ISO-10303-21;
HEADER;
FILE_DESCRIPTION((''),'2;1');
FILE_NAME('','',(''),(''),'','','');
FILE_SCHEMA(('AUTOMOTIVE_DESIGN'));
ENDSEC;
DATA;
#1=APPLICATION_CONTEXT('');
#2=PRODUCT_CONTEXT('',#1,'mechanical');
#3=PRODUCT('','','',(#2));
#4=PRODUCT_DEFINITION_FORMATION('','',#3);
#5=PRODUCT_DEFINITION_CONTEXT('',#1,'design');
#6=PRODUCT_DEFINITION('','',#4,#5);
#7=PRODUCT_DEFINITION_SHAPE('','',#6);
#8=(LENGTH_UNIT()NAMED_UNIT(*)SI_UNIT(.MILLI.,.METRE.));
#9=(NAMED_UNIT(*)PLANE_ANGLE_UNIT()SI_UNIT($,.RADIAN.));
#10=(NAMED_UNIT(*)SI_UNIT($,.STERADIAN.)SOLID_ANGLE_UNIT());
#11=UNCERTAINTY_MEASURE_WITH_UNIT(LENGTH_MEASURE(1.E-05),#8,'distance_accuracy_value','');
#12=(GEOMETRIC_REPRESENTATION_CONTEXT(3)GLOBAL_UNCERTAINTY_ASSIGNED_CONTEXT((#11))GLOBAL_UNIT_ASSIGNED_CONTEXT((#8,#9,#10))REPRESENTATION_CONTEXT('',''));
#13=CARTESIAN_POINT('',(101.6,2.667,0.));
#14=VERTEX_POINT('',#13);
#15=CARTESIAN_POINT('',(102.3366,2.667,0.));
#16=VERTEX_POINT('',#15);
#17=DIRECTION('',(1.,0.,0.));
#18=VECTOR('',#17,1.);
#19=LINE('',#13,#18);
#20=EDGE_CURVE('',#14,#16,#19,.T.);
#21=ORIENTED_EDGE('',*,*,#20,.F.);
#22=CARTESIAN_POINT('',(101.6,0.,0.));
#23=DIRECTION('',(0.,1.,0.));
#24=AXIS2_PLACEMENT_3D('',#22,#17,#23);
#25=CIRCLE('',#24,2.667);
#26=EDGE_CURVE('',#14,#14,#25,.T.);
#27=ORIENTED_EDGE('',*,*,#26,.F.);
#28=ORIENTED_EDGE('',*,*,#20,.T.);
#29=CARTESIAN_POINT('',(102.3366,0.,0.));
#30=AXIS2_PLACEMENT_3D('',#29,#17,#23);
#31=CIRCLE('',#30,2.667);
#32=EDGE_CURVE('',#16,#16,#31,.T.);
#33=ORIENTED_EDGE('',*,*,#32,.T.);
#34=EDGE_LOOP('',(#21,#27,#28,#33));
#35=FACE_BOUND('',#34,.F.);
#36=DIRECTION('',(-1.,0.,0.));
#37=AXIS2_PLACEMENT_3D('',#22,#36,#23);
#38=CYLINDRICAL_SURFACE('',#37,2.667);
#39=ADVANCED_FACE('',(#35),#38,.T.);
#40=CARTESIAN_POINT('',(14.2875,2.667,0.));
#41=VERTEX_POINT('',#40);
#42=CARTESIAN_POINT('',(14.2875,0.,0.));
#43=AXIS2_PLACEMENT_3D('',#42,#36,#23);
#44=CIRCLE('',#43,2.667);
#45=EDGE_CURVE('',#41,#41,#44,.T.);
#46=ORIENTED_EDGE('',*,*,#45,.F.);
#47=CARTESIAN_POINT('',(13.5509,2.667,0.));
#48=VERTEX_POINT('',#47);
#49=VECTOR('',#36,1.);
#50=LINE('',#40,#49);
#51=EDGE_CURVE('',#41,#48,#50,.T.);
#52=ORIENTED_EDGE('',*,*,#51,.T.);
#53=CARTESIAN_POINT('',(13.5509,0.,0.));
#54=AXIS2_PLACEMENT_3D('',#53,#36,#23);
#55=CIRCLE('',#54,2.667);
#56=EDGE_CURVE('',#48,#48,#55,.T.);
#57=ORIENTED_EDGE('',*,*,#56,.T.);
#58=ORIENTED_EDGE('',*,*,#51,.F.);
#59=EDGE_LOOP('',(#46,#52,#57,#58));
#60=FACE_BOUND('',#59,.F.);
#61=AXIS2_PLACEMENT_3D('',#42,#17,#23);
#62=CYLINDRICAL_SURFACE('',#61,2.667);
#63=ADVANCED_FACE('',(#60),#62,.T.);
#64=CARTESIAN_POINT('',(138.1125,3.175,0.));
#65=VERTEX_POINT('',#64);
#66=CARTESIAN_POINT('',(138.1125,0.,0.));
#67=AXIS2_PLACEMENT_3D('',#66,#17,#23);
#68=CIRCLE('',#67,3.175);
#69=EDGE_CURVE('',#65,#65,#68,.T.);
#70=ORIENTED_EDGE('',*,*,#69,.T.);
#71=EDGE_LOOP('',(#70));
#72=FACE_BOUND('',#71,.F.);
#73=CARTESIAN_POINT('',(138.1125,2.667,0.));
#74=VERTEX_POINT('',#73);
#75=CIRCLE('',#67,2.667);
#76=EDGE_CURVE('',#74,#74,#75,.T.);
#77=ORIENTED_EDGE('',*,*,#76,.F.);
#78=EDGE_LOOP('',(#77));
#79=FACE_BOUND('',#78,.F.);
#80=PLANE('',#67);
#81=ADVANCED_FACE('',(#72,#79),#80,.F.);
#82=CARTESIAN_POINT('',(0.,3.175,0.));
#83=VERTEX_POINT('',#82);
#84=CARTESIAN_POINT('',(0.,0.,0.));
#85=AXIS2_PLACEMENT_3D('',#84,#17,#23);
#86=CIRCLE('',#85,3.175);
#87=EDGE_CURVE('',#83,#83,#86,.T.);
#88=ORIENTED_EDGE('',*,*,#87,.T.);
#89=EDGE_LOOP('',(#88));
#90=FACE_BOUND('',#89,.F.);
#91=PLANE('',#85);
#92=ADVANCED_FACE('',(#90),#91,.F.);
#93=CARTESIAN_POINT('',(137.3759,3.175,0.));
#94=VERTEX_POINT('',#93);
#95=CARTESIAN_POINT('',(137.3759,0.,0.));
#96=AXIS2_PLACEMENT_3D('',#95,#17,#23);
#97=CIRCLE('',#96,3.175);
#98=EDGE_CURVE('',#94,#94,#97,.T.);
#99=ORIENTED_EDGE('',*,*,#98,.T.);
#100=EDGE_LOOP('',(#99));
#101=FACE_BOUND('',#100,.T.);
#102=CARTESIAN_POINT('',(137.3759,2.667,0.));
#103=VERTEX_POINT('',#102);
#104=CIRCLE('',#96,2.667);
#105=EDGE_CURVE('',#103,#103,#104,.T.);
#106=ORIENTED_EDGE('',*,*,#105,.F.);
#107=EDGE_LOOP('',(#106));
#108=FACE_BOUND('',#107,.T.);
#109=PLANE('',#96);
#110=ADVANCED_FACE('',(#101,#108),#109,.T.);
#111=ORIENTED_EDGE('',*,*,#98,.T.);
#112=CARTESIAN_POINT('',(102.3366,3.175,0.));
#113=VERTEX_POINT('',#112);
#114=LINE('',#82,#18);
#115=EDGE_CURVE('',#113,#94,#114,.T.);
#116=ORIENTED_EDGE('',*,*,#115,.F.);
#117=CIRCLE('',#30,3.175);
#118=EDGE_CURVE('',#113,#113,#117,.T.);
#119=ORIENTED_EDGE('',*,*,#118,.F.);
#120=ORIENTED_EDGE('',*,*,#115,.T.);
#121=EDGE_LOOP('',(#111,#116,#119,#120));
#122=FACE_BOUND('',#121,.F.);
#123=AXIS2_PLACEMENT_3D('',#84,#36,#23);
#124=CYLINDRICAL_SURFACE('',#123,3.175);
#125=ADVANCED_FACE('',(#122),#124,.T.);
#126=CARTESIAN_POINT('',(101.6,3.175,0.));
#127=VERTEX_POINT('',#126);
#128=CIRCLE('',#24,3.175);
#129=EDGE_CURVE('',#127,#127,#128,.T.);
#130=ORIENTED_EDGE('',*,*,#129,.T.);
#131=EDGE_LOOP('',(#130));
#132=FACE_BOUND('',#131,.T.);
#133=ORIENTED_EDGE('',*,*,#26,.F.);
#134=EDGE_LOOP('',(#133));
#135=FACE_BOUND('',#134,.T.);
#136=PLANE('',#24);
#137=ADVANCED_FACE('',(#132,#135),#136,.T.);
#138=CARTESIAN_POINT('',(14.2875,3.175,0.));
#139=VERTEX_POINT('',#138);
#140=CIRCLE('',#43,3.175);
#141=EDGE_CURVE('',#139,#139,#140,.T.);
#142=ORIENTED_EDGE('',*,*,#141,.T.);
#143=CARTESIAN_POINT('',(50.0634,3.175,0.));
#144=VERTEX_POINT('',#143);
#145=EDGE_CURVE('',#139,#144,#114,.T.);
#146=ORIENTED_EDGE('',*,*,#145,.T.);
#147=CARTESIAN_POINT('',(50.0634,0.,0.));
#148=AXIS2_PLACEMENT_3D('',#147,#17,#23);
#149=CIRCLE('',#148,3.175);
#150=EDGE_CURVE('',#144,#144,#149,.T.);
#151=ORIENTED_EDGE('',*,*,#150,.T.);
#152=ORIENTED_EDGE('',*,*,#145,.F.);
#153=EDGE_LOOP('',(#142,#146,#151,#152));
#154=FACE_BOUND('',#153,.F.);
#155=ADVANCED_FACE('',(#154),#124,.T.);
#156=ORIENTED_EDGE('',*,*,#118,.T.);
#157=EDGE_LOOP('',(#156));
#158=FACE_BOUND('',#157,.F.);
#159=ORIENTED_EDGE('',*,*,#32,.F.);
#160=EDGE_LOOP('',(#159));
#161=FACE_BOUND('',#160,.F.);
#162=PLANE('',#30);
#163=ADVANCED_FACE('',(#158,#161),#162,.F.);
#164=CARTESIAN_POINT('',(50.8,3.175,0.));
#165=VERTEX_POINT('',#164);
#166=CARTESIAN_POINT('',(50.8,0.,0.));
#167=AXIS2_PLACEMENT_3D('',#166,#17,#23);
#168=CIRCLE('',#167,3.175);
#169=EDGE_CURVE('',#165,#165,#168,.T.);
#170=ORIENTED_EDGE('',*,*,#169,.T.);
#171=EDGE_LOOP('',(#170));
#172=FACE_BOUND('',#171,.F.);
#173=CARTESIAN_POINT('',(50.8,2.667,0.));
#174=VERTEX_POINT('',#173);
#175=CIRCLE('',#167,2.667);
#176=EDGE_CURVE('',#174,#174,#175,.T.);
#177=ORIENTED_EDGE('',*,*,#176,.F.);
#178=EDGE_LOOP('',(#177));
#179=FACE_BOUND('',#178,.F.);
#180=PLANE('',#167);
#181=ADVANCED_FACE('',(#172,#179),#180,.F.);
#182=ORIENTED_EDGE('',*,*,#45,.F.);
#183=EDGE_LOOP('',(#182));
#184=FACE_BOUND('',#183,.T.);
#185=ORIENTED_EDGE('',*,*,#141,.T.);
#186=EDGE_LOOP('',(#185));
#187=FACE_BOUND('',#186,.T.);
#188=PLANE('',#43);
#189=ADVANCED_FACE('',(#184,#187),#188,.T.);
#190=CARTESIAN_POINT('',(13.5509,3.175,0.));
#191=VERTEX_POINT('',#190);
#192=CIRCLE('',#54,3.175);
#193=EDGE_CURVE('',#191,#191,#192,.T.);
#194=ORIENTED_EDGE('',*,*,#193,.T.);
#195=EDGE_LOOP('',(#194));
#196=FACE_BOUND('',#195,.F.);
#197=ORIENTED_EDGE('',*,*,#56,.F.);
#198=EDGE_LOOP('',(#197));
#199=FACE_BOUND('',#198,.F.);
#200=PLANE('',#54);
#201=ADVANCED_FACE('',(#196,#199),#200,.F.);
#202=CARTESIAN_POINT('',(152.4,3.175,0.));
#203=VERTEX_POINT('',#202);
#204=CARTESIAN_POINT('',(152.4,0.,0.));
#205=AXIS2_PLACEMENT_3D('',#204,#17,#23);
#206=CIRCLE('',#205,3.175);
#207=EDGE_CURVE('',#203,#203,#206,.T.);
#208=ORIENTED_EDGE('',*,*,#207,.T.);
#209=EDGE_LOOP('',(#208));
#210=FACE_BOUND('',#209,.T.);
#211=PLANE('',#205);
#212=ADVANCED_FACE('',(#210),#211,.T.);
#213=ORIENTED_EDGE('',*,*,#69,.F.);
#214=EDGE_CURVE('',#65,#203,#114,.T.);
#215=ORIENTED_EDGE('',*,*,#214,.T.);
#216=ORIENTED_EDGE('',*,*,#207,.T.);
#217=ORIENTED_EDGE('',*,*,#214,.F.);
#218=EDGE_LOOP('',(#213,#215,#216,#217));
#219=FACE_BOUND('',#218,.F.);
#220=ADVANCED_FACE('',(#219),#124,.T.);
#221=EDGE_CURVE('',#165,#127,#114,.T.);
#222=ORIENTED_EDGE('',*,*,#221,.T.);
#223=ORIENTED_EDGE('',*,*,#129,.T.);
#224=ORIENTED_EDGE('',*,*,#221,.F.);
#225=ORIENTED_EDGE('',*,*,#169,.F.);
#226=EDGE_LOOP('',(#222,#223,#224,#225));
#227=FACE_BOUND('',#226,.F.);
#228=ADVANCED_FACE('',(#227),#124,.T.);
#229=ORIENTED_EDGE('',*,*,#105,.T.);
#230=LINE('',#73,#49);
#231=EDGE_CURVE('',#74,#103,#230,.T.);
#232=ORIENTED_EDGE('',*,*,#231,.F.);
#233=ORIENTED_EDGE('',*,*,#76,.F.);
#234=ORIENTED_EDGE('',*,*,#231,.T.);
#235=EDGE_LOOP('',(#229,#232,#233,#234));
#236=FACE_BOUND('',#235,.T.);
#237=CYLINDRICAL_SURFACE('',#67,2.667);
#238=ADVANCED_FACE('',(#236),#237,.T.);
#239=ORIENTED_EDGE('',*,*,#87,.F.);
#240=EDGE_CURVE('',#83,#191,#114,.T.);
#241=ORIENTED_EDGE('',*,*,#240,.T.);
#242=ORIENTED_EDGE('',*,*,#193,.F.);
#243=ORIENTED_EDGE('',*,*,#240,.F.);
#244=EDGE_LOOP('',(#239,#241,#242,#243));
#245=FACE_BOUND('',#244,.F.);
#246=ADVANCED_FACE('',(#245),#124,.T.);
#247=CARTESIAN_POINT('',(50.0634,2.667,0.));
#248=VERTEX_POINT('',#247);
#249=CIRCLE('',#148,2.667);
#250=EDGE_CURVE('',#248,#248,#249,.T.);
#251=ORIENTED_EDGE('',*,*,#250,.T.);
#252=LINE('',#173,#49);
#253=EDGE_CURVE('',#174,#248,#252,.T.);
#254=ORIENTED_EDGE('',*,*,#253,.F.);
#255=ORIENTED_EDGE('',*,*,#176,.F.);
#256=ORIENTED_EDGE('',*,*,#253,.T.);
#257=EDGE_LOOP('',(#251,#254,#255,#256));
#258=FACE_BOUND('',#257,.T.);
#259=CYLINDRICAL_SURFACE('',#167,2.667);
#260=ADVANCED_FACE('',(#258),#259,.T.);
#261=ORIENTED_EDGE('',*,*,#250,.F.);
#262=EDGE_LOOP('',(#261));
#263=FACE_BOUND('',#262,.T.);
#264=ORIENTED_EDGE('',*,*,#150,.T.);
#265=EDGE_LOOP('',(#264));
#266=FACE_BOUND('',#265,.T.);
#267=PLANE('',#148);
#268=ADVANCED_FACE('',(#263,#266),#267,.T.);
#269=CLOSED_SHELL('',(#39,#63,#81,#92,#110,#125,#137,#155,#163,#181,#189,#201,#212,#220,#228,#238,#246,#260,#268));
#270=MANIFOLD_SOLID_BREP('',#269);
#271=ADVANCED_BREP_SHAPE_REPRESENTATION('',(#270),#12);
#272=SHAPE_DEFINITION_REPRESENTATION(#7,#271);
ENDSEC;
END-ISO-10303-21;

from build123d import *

# Parameters (mm, degrees)
F0_R      = 3.175
F1_DEPTH  = 152.4
F3_R      = 3.175
F3_R_2    = 2.667
F4_DEPTH  = 0.7366
F6_R      = 3.175
F6_R_2    = 2.667
F7_DEPTH  = 0.7366
F9_R      = 3.175
F9_R_2    = 2.667
F10_DEPTH = 0.7366
F12_R     = 3.175
F12_R_2   = 2.667
F13_DEPTH = 0.7366


with BuildPart() as f1:
    # F0 (on Right) → F1 (new body)
    with BuildSketch(Plane.YZ):
        Circle(F0_R)
    extrude(amount=F1_DEPTH)

    # F3 (on offset) → F4 (cut)
    with BuildSketch(Plane.YZ.offset(138.1125)):
        Circle(F3_R)
        Circle(F3_R_2, mode=Mode.SUBTRACT)
    extrude(amount=-F4_DEPTH, mode=Mode.SUBTRACT)

    # F6 (on offset) → F7 (cut)
    with BuildSketch(Plane(origin=(14.2875, 0, 0), x_dir=(0, 1, 0), z_dir=(-1, 0, 0))):
        Circle(F6_R)
        Circle(F6_R_2, mode=Mode.SUBTRACT)
    extrude(amount=F7_DEPTH, mode=Mode.SUBTRACT)

    # F9 (on offset) → F10 (cut)
    with BuildSketch(Plane.YZ.offset(50.8)):
        Circle(F9_R)
        Circle(F9_R_2, mode=Mode.SUBTRACT)
    extrude(amount=-F10_DEPTH, mode=Mode.SUBTRACT)

    # F12 (on offset) → F13 (cut)
    with BuildSketch(Plane.YZ.offset(101.6)):
        Circle(F12_R)
        Circle(F12_R_2, mode=Mode.SUBTRACT)
    extrude(amount=F13_DEPTH, mode=Mode.SUBTRACT)


solid = f1.part
